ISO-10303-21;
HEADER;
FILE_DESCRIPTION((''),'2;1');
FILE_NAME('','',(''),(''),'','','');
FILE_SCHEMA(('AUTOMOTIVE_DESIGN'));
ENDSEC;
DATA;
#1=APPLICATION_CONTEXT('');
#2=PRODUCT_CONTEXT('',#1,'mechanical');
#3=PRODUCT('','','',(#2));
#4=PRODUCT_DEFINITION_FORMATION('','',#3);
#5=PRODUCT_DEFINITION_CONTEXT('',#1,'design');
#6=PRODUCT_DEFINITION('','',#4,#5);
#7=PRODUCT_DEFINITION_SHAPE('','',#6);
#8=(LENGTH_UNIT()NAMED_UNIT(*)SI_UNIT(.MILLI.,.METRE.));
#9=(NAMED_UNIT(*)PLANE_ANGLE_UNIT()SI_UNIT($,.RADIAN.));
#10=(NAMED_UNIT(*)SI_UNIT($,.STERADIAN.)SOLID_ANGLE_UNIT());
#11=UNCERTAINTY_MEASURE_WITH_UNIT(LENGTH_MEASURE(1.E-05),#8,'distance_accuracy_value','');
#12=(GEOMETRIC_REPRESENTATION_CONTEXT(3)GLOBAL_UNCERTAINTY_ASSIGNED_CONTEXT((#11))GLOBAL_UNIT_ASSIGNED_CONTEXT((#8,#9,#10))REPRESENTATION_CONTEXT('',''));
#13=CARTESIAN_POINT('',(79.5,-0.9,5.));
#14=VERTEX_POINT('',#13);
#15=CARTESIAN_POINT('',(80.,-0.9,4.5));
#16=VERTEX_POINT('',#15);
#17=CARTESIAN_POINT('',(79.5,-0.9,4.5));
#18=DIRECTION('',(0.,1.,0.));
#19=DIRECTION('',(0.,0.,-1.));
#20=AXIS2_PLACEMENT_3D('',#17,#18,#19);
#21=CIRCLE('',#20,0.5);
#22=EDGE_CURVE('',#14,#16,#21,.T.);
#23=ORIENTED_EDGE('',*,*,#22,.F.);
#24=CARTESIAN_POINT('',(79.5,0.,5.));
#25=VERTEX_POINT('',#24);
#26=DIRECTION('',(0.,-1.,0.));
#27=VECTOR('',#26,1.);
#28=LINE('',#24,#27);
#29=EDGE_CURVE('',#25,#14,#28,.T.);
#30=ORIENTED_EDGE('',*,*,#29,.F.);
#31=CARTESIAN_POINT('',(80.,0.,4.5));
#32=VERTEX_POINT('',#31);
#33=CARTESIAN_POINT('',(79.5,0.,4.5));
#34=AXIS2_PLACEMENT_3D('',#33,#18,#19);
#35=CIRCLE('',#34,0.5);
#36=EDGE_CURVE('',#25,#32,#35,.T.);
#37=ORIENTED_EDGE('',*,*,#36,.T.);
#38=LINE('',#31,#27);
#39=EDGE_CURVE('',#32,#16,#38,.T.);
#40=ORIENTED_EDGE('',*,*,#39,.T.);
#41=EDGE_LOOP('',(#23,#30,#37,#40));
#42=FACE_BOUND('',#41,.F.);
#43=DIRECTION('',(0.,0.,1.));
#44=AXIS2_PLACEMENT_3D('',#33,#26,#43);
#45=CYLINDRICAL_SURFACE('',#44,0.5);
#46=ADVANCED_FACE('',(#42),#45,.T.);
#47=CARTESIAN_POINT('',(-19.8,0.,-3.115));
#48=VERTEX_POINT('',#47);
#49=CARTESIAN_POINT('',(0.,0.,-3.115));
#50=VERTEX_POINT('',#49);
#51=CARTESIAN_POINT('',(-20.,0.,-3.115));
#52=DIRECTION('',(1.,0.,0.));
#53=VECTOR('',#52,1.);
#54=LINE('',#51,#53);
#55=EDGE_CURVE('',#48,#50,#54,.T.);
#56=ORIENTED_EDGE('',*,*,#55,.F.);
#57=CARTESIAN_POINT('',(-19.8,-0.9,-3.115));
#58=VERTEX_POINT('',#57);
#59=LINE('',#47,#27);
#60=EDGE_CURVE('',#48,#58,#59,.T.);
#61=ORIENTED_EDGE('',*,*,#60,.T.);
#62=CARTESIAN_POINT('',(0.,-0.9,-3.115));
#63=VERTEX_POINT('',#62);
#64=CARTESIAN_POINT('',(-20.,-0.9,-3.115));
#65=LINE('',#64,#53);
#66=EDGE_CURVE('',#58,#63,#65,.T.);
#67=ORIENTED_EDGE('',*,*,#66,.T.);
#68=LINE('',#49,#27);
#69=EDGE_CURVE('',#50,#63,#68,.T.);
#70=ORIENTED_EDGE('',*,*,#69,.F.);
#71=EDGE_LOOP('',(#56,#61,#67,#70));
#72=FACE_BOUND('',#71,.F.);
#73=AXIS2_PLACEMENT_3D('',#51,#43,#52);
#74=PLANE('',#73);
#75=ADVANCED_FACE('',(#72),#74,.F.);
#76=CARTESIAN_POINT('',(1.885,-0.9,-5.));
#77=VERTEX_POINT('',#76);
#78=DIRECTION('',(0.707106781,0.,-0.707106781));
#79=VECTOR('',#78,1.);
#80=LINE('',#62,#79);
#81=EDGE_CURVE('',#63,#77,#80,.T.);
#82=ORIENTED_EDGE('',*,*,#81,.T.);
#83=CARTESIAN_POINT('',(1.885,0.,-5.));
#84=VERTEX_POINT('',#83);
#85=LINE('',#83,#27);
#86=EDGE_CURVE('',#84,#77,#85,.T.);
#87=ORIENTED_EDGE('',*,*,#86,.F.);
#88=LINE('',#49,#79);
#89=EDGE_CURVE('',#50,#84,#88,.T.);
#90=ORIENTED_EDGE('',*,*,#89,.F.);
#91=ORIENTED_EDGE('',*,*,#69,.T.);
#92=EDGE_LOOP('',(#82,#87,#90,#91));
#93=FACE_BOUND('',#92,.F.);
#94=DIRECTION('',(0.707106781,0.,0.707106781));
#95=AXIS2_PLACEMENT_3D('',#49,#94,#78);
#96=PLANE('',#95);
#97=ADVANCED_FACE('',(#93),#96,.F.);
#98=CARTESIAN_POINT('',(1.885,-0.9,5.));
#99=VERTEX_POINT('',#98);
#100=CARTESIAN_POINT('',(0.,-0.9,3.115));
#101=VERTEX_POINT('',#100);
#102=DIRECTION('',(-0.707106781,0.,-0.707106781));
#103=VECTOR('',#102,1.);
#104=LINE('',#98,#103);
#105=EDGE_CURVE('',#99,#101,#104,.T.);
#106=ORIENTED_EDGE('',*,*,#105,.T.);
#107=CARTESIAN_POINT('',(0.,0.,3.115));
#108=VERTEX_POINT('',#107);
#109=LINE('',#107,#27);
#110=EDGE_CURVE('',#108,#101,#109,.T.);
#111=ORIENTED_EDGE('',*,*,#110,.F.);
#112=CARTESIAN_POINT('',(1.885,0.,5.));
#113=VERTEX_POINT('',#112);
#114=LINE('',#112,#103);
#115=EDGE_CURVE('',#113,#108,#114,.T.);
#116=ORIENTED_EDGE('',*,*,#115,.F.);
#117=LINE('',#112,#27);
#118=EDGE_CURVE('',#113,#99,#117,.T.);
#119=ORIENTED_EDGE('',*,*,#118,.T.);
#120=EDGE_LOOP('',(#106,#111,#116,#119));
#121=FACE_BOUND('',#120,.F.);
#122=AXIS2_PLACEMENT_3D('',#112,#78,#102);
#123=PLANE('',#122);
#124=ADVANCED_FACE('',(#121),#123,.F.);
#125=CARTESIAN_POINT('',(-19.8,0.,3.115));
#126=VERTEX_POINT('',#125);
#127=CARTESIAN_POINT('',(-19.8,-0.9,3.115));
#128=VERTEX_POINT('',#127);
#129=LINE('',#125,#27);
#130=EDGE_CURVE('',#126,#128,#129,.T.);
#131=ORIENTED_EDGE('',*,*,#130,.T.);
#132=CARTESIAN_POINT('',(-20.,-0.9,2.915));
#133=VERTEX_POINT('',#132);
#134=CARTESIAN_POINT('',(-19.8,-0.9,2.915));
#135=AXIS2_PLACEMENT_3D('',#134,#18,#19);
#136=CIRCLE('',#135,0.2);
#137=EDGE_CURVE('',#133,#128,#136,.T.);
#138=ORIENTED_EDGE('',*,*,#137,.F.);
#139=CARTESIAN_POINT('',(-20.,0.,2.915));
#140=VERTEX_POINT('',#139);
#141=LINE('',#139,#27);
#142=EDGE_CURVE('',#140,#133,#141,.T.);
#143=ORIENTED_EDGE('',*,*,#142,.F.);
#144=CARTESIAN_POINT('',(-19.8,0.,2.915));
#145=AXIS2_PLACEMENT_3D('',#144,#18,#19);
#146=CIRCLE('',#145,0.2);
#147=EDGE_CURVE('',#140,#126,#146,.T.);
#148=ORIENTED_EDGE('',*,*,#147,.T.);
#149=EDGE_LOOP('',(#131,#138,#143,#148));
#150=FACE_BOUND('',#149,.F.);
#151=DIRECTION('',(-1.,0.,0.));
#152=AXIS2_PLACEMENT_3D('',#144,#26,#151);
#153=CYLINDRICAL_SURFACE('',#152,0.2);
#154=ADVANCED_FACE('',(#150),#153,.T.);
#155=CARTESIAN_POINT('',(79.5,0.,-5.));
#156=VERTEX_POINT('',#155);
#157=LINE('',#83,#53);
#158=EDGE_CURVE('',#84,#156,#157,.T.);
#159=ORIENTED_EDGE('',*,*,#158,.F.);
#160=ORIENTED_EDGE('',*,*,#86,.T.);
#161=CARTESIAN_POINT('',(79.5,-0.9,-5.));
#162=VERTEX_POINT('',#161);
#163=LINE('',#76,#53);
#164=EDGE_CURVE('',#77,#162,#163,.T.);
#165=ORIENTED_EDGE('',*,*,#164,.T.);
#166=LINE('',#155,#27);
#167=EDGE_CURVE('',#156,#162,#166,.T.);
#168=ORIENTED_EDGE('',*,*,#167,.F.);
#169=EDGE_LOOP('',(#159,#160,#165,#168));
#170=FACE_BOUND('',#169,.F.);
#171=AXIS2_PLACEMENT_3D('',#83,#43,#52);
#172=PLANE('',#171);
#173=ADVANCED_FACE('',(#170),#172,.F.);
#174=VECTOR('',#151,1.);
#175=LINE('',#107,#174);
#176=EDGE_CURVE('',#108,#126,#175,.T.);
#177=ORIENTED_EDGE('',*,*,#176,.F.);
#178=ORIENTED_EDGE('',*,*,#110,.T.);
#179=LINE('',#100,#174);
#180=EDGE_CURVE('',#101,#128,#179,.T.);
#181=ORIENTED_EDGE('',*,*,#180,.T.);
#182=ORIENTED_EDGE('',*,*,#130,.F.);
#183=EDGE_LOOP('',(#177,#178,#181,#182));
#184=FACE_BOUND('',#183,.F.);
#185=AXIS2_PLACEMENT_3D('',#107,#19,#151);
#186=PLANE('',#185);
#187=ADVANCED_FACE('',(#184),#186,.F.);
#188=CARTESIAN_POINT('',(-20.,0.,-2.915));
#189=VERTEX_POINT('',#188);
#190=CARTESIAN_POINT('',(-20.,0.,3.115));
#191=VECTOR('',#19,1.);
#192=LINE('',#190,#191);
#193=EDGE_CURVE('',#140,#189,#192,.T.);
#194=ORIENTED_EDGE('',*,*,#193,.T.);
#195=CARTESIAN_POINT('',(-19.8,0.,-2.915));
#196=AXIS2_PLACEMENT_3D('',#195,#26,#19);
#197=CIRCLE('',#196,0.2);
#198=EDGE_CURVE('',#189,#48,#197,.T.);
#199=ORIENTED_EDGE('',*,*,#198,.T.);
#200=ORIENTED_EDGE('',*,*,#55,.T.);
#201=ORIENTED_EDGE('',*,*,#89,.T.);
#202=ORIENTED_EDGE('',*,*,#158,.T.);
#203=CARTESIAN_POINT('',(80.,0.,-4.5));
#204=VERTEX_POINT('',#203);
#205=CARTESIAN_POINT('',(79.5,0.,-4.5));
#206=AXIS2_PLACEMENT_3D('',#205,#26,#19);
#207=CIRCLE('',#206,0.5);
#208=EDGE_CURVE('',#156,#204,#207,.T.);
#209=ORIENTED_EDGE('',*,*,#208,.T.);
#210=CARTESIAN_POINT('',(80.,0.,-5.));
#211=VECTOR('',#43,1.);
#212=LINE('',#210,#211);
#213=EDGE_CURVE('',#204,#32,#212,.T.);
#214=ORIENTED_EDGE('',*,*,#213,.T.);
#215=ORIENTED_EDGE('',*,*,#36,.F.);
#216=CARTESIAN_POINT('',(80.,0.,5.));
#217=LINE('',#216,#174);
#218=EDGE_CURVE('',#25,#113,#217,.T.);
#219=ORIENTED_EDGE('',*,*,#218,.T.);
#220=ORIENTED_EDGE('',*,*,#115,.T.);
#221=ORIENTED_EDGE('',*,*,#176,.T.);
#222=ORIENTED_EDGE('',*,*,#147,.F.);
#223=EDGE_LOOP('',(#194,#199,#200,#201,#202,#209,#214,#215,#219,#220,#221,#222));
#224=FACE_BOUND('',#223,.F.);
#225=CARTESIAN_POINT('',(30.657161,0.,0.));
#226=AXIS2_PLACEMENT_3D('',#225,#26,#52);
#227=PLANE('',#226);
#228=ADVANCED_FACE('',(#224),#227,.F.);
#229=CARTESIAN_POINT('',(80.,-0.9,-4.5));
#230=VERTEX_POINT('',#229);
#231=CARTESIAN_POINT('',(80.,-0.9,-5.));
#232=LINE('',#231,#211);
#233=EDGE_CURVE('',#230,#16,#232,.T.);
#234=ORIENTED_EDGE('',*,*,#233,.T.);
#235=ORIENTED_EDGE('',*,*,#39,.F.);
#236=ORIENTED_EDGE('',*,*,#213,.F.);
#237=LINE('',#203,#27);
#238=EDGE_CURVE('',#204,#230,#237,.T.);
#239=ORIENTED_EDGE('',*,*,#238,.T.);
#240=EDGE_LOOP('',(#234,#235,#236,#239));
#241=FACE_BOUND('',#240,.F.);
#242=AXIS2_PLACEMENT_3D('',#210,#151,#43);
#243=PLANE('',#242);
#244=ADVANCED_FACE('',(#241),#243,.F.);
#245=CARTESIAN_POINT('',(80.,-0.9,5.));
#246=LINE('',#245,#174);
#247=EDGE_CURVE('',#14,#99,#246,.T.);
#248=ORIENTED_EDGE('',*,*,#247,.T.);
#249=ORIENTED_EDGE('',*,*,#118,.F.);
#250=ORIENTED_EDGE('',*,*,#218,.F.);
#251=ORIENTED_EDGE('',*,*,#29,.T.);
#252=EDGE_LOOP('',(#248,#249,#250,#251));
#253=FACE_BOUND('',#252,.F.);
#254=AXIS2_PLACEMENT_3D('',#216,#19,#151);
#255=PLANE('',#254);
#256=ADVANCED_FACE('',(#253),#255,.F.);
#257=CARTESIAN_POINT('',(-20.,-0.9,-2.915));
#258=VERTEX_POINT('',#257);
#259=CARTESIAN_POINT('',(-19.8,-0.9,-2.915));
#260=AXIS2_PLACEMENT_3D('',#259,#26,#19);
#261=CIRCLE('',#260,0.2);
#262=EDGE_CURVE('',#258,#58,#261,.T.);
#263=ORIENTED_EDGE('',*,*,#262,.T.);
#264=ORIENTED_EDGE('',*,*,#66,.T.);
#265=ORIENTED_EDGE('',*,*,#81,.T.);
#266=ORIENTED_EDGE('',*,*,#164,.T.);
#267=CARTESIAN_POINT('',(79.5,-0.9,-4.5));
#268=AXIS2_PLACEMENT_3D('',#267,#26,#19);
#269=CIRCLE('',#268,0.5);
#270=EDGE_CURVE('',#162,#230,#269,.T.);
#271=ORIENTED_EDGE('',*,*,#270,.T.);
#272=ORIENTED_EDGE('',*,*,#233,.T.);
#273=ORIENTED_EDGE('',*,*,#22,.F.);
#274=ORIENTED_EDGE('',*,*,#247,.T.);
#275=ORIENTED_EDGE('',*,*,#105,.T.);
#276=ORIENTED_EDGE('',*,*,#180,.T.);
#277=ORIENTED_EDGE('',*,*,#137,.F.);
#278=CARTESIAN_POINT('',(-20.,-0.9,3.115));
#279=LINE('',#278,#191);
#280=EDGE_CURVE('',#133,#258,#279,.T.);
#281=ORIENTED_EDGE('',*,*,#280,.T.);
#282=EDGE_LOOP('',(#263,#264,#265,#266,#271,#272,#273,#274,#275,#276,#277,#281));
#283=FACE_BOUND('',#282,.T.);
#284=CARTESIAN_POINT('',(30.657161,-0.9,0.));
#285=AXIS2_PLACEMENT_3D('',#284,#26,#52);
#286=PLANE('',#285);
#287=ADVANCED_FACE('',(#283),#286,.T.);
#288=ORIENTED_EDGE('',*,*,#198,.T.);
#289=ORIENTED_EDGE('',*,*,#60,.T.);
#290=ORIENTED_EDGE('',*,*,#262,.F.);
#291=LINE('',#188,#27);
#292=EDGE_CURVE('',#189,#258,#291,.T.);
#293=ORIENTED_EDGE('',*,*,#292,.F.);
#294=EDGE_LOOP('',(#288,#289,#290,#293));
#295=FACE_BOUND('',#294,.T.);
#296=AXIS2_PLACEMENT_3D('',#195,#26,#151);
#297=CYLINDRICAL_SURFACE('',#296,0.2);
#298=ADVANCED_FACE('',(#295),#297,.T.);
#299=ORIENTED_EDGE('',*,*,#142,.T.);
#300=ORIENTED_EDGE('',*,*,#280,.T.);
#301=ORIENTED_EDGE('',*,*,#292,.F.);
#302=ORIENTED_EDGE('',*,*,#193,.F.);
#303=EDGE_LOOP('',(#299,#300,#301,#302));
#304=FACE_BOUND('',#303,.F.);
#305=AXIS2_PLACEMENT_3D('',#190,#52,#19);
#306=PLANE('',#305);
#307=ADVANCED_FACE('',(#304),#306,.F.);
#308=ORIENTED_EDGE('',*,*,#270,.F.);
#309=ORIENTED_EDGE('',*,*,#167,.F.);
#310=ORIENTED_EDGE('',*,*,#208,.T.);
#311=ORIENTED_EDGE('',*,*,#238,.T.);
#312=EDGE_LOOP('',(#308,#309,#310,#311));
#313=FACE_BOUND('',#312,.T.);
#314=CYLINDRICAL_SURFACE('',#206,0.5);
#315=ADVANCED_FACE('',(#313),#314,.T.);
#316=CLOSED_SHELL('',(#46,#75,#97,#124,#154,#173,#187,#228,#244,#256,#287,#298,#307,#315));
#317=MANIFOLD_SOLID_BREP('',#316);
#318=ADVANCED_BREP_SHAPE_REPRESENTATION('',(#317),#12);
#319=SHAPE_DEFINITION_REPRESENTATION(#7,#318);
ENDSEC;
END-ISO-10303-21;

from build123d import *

# Parameters (mm, degrees)
F1_DEPTH = 0.9
F2_R     = 0.2
F3_R     = 0.5


with BuildPart() as f1:
    # F0 (on Front) → F1 (new body)
    with BuildSketch(Plane.XZ):
        Polygon((-20, 3.115), (-20, 0), (-20, -3.115), (0, -3.115), (1.885, -5), (80, -5), (80, 0), (80, 5), (1.885, 5), (0, 3.115), align=None)
    extrude(amount=F1_DEPTH)

    # F2
    f2_edges = [f1.edges().sort_by_distance(p)[0] for p in [
        (-20, -0.45, -3.115),
        (-20, -0.45, 3.115),
    ]]
    fillet(f2_edges, radius=F2_R)

    # F3
    f3_edges = [f1.edges().sort_by_distance(p)[0] for p in [
        (80, -0.45, -5),
        (80, -0.45, 5),
    ]]
    fillet(f3_edges, radius=F3_R)


solid = f1.part
